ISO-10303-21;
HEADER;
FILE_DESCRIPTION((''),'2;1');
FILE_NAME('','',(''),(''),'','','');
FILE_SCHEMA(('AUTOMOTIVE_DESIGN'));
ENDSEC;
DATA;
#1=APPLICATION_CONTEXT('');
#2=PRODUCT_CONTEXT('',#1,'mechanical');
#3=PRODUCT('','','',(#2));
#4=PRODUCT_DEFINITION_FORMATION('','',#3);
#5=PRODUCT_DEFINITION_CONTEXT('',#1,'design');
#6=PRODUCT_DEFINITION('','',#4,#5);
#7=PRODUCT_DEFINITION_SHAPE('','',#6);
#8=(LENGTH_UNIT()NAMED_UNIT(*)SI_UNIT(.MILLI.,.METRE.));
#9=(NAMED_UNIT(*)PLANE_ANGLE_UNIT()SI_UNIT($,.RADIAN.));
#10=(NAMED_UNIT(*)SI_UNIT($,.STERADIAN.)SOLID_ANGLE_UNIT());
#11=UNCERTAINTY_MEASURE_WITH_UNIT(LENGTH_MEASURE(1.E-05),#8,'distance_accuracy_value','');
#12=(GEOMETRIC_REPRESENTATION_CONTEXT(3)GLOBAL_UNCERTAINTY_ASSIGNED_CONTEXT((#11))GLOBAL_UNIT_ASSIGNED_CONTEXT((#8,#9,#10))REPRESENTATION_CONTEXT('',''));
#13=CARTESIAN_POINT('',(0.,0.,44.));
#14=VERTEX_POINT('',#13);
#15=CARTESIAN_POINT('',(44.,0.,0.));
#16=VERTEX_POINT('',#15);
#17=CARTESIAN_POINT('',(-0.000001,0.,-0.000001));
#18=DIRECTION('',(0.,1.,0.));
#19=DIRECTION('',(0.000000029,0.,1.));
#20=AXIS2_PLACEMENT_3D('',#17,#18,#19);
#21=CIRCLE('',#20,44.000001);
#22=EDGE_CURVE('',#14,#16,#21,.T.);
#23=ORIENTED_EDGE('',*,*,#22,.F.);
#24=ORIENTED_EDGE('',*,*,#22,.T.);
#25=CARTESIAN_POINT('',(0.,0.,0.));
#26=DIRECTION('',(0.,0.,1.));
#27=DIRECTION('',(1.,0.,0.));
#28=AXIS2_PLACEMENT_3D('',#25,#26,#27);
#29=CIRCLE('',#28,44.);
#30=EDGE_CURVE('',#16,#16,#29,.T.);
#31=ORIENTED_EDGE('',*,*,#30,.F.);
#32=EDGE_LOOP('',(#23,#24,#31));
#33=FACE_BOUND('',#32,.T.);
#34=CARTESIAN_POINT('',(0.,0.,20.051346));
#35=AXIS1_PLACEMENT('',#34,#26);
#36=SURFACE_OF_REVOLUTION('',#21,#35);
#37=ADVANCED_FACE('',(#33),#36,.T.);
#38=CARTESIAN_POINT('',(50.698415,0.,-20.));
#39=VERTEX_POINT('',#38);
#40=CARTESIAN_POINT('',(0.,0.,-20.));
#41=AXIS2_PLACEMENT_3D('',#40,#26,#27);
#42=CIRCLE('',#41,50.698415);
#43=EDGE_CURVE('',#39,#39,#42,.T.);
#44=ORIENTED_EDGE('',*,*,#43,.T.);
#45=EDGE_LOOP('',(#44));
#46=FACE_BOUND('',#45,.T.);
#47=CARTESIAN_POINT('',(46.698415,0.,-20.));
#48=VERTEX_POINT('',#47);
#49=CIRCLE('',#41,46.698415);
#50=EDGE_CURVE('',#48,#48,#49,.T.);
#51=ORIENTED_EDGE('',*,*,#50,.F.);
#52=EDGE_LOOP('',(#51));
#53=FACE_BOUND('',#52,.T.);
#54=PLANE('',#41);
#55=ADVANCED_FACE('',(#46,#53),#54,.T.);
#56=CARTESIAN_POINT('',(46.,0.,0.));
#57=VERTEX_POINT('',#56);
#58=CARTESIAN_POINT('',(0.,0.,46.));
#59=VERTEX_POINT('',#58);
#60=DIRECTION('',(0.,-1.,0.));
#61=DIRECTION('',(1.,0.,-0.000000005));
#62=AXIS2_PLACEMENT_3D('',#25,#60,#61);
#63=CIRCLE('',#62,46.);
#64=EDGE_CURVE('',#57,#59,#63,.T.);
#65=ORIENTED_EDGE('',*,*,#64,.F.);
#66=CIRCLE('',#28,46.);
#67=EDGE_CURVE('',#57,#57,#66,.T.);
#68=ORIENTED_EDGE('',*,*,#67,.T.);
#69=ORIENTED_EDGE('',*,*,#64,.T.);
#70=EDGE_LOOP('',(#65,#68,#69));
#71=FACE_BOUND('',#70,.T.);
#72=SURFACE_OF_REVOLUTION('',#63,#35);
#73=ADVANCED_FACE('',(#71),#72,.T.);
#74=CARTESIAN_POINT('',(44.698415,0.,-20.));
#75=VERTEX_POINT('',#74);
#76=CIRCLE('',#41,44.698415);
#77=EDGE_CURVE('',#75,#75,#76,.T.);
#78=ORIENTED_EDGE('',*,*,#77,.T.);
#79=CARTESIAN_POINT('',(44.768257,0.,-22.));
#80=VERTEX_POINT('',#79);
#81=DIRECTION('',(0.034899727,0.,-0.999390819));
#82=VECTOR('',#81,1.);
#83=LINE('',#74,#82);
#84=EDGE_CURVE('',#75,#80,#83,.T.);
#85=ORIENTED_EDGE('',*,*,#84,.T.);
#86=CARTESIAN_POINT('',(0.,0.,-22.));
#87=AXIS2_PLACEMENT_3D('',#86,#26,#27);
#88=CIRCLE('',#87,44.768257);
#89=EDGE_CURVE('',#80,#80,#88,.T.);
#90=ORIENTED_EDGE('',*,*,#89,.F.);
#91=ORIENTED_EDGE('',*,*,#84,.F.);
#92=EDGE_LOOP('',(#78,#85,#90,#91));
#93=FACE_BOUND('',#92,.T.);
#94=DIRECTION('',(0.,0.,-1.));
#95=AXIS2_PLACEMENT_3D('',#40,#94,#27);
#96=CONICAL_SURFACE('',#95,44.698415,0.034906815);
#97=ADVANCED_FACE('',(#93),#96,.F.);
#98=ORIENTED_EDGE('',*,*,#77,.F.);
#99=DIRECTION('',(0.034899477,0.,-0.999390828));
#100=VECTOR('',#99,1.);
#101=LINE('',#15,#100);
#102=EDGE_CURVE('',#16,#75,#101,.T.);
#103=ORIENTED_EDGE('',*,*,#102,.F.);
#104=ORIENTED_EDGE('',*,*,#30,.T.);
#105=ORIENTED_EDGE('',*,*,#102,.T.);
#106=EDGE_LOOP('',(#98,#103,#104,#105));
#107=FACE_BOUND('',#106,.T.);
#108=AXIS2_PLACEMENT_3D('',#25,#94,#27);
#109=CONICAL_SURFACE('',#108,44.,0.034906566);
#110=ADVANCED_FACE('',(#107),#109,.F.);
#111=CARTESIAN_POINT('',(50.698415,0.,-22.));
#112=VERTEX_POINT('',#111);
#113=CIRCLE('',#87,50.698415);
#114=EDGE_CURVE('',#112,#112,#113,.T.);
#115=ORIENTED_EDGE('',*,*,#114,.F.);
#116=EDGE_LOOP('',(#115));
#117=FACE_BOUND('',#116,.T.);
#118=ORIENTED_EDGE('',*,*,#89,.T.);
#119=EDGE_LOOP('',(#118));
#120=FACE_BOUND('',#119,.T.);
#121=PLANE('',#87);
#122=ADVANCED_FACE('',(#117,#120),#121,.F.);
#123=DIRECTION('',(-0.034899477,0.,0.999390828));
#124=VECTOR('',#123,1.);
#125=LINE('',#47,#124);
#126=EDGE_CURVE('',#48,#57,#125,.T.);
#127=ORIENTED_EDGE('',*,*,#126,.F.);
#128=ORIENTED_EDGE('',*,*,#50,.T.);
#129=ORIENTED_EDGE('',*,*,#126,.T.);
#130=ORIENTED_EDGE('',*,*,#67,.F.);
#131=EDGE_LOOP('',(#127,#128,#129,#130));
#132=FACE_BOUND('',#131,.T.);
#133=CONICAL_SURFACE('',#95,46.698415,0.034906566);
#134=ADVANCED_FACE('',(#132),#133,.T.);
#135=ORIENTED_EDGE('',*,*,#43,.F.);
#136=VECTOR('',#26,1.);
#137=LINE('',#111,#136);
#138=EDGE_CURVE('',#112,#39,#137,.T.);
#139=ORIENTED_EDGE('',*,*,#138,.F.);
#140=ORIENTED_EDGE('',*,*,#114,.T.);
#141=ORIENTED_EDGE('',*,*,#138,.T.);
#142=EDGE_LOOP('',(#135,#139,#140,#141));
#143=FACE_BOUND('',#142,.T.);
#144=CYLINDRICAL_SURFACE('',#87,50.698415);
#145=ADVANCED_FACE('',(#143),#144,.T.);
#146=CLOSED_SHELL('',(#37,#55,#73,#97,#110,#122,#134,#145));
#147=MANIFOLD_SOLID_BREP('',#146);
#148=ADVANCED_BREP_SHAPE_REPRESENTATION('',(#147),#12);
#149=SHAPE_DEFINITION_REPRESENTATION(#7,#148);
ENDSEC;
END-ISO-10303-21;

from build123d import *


with BuildPart() as f1:
    # F0 (on Front) → F1 (revolve)
    with BuildSketch(Plane.XZ):
        with BuildLine():
            ThreePointArc((0, 44), (31.112698, 31.112698), (44, 0))
            Line((44, 0), (44.698415, -20))
            Line((44.698415, -20), (44.768257, -22))
            Line((44.768257, -22), (50.698415, -22))
            Line((50.698415, -22), (50.698415, -20))
            Line((50.698415, -20), (46.698415, -20))
            Line((46.698415, -20), (46, 0))
            ThreePointArc((46, 0), (32.526912, 32.526912), (0, 46))
            Line((0, 46), (0, 44))
        make_face()
    revolve(axis=Axis((0, 0, 20.051346), (0, 0, 1)))


solid = f1.part
